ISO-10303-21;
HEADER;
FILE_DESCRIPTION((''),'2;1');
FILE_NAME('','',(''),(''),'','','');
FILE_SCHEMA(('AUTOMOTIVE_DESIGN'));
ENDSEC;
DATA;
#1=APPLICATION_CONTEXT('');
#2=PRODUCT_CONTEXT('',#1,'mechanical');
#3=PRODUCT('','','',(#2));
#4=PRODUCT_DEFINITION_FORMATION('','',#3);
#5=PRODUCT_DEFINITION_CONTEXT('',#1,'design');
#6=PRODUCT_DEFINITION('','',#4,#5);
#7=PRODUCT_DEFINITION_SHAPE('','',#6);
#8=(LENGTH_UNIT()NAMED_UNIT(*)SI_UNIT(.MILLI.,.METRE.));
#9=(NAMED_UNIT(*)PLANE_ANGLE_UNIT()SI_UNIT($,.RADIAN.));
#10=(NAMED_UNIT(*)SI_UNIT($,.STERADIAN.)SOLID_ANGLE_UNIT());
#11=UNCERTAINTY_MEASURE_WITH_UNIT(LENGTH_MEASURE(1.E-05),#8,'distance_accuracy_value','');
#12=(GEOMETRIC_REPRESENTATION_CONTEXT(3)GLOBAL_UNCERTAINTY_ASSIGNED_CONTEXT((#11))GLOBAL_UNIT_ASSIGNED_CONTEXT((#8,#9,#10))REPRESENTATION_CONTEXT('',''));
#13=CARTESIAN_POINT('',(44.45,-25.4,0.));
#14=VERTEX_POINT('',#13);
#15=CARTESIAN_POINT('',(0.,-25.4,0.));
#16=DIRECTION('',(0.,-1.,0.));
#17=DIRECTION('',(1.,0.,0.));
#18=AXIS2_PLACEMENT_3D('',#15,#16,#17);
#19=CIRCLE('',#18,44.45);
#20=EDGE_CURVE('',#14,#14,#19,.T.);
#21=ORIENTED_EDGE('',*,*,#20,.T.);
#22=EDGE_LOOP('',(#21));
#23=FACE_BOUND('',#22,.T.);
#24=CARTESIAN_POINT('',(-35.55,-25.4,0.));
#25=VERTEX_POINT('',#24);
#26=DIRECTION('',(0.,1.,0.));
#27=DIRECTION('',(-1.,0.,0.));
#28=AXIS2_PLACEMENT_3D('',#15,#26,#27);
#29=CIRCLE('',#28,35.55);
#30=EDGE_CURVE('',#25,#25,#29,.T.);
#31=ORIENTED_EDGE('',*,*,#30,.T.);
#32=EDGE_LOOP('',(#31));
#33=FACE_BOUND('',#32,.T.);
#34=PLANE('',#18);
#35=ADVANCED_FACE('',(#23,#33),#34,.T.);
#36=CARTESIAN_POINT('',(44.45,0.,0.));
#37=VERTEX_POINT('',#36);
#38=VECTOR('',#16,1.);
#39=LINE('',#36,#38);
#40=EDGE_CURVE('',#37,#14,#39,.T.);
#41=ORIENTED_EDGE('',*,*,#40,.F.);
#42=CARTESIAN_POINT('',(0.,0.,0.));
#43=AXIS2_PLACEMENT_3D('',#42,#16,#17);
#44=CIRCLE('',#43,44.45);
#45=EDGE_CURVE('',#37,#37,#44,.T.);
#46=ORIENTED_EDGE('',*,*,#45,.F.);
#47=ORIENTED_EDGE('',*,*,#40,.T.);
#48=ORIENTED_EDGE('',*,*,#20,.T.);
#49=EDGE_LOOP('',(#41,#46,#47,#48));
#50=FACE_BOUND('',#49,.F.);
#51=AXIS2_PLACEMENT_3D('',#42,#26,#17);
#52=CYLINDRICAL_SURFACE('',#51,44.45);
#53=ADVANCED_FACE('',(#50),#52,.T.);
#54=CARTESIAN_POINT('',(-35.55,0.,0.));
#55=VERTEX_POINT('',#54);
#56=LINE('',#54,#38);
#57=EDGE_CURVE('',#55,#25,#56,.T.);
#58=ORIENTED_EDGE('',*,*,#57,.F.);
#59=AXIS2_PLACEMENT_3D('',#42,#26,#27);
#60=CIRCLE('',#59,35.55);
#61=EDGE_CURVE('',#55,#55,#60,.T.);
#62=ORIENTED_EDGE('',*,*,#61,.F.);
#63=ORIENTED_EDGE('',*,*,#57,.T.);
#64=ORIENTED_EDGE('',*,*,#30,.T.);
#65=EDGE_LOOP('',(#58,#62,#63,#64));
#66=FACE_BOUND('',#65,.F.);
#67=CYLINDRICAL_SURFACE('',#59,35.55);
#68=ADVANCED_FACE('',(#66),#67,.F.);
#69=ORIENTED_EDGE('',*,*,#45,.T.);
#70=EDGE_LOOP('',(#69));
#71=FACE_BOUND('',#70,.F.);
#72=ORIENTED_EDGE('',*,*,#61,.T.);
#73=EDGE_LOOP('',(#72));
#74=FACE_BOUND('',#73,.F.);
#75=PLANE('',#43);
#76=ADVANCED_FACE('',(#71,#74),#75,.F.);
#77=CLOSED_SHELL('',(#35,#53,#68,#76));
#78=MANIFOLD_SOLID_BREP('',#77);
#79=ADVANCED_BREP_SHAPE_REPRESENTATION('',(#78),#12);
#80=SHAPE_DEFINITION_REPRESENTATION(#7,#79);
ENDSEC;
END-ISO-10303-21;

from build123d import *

# Parameters (mm, degrees)
F1_DEPTH = 25.4


with BuildPart() as f1:
    # F0 (on Front) → F1 (new body)
    with BuildSketch(Plane.XZ):
        with BuildLine():
            ThreePointArc((-44.45, 0), (0, -44.45), (44.45, 0))
            ThreePointArc((44.45, 0), (0, 44.45), (-44.45, 0))
        make_face()
        with BuildLine():
            ThreePointArc((35.55, 0), (0, -35.55), (-35.55, 0))
            ThreePointArc((-35.55, 0), (0, 35.55), (35.55, 0))
        make_face(mode=Mode.SUBTRACT)
    extrude(amount=F1_DEPTH)


solid = f1.part
